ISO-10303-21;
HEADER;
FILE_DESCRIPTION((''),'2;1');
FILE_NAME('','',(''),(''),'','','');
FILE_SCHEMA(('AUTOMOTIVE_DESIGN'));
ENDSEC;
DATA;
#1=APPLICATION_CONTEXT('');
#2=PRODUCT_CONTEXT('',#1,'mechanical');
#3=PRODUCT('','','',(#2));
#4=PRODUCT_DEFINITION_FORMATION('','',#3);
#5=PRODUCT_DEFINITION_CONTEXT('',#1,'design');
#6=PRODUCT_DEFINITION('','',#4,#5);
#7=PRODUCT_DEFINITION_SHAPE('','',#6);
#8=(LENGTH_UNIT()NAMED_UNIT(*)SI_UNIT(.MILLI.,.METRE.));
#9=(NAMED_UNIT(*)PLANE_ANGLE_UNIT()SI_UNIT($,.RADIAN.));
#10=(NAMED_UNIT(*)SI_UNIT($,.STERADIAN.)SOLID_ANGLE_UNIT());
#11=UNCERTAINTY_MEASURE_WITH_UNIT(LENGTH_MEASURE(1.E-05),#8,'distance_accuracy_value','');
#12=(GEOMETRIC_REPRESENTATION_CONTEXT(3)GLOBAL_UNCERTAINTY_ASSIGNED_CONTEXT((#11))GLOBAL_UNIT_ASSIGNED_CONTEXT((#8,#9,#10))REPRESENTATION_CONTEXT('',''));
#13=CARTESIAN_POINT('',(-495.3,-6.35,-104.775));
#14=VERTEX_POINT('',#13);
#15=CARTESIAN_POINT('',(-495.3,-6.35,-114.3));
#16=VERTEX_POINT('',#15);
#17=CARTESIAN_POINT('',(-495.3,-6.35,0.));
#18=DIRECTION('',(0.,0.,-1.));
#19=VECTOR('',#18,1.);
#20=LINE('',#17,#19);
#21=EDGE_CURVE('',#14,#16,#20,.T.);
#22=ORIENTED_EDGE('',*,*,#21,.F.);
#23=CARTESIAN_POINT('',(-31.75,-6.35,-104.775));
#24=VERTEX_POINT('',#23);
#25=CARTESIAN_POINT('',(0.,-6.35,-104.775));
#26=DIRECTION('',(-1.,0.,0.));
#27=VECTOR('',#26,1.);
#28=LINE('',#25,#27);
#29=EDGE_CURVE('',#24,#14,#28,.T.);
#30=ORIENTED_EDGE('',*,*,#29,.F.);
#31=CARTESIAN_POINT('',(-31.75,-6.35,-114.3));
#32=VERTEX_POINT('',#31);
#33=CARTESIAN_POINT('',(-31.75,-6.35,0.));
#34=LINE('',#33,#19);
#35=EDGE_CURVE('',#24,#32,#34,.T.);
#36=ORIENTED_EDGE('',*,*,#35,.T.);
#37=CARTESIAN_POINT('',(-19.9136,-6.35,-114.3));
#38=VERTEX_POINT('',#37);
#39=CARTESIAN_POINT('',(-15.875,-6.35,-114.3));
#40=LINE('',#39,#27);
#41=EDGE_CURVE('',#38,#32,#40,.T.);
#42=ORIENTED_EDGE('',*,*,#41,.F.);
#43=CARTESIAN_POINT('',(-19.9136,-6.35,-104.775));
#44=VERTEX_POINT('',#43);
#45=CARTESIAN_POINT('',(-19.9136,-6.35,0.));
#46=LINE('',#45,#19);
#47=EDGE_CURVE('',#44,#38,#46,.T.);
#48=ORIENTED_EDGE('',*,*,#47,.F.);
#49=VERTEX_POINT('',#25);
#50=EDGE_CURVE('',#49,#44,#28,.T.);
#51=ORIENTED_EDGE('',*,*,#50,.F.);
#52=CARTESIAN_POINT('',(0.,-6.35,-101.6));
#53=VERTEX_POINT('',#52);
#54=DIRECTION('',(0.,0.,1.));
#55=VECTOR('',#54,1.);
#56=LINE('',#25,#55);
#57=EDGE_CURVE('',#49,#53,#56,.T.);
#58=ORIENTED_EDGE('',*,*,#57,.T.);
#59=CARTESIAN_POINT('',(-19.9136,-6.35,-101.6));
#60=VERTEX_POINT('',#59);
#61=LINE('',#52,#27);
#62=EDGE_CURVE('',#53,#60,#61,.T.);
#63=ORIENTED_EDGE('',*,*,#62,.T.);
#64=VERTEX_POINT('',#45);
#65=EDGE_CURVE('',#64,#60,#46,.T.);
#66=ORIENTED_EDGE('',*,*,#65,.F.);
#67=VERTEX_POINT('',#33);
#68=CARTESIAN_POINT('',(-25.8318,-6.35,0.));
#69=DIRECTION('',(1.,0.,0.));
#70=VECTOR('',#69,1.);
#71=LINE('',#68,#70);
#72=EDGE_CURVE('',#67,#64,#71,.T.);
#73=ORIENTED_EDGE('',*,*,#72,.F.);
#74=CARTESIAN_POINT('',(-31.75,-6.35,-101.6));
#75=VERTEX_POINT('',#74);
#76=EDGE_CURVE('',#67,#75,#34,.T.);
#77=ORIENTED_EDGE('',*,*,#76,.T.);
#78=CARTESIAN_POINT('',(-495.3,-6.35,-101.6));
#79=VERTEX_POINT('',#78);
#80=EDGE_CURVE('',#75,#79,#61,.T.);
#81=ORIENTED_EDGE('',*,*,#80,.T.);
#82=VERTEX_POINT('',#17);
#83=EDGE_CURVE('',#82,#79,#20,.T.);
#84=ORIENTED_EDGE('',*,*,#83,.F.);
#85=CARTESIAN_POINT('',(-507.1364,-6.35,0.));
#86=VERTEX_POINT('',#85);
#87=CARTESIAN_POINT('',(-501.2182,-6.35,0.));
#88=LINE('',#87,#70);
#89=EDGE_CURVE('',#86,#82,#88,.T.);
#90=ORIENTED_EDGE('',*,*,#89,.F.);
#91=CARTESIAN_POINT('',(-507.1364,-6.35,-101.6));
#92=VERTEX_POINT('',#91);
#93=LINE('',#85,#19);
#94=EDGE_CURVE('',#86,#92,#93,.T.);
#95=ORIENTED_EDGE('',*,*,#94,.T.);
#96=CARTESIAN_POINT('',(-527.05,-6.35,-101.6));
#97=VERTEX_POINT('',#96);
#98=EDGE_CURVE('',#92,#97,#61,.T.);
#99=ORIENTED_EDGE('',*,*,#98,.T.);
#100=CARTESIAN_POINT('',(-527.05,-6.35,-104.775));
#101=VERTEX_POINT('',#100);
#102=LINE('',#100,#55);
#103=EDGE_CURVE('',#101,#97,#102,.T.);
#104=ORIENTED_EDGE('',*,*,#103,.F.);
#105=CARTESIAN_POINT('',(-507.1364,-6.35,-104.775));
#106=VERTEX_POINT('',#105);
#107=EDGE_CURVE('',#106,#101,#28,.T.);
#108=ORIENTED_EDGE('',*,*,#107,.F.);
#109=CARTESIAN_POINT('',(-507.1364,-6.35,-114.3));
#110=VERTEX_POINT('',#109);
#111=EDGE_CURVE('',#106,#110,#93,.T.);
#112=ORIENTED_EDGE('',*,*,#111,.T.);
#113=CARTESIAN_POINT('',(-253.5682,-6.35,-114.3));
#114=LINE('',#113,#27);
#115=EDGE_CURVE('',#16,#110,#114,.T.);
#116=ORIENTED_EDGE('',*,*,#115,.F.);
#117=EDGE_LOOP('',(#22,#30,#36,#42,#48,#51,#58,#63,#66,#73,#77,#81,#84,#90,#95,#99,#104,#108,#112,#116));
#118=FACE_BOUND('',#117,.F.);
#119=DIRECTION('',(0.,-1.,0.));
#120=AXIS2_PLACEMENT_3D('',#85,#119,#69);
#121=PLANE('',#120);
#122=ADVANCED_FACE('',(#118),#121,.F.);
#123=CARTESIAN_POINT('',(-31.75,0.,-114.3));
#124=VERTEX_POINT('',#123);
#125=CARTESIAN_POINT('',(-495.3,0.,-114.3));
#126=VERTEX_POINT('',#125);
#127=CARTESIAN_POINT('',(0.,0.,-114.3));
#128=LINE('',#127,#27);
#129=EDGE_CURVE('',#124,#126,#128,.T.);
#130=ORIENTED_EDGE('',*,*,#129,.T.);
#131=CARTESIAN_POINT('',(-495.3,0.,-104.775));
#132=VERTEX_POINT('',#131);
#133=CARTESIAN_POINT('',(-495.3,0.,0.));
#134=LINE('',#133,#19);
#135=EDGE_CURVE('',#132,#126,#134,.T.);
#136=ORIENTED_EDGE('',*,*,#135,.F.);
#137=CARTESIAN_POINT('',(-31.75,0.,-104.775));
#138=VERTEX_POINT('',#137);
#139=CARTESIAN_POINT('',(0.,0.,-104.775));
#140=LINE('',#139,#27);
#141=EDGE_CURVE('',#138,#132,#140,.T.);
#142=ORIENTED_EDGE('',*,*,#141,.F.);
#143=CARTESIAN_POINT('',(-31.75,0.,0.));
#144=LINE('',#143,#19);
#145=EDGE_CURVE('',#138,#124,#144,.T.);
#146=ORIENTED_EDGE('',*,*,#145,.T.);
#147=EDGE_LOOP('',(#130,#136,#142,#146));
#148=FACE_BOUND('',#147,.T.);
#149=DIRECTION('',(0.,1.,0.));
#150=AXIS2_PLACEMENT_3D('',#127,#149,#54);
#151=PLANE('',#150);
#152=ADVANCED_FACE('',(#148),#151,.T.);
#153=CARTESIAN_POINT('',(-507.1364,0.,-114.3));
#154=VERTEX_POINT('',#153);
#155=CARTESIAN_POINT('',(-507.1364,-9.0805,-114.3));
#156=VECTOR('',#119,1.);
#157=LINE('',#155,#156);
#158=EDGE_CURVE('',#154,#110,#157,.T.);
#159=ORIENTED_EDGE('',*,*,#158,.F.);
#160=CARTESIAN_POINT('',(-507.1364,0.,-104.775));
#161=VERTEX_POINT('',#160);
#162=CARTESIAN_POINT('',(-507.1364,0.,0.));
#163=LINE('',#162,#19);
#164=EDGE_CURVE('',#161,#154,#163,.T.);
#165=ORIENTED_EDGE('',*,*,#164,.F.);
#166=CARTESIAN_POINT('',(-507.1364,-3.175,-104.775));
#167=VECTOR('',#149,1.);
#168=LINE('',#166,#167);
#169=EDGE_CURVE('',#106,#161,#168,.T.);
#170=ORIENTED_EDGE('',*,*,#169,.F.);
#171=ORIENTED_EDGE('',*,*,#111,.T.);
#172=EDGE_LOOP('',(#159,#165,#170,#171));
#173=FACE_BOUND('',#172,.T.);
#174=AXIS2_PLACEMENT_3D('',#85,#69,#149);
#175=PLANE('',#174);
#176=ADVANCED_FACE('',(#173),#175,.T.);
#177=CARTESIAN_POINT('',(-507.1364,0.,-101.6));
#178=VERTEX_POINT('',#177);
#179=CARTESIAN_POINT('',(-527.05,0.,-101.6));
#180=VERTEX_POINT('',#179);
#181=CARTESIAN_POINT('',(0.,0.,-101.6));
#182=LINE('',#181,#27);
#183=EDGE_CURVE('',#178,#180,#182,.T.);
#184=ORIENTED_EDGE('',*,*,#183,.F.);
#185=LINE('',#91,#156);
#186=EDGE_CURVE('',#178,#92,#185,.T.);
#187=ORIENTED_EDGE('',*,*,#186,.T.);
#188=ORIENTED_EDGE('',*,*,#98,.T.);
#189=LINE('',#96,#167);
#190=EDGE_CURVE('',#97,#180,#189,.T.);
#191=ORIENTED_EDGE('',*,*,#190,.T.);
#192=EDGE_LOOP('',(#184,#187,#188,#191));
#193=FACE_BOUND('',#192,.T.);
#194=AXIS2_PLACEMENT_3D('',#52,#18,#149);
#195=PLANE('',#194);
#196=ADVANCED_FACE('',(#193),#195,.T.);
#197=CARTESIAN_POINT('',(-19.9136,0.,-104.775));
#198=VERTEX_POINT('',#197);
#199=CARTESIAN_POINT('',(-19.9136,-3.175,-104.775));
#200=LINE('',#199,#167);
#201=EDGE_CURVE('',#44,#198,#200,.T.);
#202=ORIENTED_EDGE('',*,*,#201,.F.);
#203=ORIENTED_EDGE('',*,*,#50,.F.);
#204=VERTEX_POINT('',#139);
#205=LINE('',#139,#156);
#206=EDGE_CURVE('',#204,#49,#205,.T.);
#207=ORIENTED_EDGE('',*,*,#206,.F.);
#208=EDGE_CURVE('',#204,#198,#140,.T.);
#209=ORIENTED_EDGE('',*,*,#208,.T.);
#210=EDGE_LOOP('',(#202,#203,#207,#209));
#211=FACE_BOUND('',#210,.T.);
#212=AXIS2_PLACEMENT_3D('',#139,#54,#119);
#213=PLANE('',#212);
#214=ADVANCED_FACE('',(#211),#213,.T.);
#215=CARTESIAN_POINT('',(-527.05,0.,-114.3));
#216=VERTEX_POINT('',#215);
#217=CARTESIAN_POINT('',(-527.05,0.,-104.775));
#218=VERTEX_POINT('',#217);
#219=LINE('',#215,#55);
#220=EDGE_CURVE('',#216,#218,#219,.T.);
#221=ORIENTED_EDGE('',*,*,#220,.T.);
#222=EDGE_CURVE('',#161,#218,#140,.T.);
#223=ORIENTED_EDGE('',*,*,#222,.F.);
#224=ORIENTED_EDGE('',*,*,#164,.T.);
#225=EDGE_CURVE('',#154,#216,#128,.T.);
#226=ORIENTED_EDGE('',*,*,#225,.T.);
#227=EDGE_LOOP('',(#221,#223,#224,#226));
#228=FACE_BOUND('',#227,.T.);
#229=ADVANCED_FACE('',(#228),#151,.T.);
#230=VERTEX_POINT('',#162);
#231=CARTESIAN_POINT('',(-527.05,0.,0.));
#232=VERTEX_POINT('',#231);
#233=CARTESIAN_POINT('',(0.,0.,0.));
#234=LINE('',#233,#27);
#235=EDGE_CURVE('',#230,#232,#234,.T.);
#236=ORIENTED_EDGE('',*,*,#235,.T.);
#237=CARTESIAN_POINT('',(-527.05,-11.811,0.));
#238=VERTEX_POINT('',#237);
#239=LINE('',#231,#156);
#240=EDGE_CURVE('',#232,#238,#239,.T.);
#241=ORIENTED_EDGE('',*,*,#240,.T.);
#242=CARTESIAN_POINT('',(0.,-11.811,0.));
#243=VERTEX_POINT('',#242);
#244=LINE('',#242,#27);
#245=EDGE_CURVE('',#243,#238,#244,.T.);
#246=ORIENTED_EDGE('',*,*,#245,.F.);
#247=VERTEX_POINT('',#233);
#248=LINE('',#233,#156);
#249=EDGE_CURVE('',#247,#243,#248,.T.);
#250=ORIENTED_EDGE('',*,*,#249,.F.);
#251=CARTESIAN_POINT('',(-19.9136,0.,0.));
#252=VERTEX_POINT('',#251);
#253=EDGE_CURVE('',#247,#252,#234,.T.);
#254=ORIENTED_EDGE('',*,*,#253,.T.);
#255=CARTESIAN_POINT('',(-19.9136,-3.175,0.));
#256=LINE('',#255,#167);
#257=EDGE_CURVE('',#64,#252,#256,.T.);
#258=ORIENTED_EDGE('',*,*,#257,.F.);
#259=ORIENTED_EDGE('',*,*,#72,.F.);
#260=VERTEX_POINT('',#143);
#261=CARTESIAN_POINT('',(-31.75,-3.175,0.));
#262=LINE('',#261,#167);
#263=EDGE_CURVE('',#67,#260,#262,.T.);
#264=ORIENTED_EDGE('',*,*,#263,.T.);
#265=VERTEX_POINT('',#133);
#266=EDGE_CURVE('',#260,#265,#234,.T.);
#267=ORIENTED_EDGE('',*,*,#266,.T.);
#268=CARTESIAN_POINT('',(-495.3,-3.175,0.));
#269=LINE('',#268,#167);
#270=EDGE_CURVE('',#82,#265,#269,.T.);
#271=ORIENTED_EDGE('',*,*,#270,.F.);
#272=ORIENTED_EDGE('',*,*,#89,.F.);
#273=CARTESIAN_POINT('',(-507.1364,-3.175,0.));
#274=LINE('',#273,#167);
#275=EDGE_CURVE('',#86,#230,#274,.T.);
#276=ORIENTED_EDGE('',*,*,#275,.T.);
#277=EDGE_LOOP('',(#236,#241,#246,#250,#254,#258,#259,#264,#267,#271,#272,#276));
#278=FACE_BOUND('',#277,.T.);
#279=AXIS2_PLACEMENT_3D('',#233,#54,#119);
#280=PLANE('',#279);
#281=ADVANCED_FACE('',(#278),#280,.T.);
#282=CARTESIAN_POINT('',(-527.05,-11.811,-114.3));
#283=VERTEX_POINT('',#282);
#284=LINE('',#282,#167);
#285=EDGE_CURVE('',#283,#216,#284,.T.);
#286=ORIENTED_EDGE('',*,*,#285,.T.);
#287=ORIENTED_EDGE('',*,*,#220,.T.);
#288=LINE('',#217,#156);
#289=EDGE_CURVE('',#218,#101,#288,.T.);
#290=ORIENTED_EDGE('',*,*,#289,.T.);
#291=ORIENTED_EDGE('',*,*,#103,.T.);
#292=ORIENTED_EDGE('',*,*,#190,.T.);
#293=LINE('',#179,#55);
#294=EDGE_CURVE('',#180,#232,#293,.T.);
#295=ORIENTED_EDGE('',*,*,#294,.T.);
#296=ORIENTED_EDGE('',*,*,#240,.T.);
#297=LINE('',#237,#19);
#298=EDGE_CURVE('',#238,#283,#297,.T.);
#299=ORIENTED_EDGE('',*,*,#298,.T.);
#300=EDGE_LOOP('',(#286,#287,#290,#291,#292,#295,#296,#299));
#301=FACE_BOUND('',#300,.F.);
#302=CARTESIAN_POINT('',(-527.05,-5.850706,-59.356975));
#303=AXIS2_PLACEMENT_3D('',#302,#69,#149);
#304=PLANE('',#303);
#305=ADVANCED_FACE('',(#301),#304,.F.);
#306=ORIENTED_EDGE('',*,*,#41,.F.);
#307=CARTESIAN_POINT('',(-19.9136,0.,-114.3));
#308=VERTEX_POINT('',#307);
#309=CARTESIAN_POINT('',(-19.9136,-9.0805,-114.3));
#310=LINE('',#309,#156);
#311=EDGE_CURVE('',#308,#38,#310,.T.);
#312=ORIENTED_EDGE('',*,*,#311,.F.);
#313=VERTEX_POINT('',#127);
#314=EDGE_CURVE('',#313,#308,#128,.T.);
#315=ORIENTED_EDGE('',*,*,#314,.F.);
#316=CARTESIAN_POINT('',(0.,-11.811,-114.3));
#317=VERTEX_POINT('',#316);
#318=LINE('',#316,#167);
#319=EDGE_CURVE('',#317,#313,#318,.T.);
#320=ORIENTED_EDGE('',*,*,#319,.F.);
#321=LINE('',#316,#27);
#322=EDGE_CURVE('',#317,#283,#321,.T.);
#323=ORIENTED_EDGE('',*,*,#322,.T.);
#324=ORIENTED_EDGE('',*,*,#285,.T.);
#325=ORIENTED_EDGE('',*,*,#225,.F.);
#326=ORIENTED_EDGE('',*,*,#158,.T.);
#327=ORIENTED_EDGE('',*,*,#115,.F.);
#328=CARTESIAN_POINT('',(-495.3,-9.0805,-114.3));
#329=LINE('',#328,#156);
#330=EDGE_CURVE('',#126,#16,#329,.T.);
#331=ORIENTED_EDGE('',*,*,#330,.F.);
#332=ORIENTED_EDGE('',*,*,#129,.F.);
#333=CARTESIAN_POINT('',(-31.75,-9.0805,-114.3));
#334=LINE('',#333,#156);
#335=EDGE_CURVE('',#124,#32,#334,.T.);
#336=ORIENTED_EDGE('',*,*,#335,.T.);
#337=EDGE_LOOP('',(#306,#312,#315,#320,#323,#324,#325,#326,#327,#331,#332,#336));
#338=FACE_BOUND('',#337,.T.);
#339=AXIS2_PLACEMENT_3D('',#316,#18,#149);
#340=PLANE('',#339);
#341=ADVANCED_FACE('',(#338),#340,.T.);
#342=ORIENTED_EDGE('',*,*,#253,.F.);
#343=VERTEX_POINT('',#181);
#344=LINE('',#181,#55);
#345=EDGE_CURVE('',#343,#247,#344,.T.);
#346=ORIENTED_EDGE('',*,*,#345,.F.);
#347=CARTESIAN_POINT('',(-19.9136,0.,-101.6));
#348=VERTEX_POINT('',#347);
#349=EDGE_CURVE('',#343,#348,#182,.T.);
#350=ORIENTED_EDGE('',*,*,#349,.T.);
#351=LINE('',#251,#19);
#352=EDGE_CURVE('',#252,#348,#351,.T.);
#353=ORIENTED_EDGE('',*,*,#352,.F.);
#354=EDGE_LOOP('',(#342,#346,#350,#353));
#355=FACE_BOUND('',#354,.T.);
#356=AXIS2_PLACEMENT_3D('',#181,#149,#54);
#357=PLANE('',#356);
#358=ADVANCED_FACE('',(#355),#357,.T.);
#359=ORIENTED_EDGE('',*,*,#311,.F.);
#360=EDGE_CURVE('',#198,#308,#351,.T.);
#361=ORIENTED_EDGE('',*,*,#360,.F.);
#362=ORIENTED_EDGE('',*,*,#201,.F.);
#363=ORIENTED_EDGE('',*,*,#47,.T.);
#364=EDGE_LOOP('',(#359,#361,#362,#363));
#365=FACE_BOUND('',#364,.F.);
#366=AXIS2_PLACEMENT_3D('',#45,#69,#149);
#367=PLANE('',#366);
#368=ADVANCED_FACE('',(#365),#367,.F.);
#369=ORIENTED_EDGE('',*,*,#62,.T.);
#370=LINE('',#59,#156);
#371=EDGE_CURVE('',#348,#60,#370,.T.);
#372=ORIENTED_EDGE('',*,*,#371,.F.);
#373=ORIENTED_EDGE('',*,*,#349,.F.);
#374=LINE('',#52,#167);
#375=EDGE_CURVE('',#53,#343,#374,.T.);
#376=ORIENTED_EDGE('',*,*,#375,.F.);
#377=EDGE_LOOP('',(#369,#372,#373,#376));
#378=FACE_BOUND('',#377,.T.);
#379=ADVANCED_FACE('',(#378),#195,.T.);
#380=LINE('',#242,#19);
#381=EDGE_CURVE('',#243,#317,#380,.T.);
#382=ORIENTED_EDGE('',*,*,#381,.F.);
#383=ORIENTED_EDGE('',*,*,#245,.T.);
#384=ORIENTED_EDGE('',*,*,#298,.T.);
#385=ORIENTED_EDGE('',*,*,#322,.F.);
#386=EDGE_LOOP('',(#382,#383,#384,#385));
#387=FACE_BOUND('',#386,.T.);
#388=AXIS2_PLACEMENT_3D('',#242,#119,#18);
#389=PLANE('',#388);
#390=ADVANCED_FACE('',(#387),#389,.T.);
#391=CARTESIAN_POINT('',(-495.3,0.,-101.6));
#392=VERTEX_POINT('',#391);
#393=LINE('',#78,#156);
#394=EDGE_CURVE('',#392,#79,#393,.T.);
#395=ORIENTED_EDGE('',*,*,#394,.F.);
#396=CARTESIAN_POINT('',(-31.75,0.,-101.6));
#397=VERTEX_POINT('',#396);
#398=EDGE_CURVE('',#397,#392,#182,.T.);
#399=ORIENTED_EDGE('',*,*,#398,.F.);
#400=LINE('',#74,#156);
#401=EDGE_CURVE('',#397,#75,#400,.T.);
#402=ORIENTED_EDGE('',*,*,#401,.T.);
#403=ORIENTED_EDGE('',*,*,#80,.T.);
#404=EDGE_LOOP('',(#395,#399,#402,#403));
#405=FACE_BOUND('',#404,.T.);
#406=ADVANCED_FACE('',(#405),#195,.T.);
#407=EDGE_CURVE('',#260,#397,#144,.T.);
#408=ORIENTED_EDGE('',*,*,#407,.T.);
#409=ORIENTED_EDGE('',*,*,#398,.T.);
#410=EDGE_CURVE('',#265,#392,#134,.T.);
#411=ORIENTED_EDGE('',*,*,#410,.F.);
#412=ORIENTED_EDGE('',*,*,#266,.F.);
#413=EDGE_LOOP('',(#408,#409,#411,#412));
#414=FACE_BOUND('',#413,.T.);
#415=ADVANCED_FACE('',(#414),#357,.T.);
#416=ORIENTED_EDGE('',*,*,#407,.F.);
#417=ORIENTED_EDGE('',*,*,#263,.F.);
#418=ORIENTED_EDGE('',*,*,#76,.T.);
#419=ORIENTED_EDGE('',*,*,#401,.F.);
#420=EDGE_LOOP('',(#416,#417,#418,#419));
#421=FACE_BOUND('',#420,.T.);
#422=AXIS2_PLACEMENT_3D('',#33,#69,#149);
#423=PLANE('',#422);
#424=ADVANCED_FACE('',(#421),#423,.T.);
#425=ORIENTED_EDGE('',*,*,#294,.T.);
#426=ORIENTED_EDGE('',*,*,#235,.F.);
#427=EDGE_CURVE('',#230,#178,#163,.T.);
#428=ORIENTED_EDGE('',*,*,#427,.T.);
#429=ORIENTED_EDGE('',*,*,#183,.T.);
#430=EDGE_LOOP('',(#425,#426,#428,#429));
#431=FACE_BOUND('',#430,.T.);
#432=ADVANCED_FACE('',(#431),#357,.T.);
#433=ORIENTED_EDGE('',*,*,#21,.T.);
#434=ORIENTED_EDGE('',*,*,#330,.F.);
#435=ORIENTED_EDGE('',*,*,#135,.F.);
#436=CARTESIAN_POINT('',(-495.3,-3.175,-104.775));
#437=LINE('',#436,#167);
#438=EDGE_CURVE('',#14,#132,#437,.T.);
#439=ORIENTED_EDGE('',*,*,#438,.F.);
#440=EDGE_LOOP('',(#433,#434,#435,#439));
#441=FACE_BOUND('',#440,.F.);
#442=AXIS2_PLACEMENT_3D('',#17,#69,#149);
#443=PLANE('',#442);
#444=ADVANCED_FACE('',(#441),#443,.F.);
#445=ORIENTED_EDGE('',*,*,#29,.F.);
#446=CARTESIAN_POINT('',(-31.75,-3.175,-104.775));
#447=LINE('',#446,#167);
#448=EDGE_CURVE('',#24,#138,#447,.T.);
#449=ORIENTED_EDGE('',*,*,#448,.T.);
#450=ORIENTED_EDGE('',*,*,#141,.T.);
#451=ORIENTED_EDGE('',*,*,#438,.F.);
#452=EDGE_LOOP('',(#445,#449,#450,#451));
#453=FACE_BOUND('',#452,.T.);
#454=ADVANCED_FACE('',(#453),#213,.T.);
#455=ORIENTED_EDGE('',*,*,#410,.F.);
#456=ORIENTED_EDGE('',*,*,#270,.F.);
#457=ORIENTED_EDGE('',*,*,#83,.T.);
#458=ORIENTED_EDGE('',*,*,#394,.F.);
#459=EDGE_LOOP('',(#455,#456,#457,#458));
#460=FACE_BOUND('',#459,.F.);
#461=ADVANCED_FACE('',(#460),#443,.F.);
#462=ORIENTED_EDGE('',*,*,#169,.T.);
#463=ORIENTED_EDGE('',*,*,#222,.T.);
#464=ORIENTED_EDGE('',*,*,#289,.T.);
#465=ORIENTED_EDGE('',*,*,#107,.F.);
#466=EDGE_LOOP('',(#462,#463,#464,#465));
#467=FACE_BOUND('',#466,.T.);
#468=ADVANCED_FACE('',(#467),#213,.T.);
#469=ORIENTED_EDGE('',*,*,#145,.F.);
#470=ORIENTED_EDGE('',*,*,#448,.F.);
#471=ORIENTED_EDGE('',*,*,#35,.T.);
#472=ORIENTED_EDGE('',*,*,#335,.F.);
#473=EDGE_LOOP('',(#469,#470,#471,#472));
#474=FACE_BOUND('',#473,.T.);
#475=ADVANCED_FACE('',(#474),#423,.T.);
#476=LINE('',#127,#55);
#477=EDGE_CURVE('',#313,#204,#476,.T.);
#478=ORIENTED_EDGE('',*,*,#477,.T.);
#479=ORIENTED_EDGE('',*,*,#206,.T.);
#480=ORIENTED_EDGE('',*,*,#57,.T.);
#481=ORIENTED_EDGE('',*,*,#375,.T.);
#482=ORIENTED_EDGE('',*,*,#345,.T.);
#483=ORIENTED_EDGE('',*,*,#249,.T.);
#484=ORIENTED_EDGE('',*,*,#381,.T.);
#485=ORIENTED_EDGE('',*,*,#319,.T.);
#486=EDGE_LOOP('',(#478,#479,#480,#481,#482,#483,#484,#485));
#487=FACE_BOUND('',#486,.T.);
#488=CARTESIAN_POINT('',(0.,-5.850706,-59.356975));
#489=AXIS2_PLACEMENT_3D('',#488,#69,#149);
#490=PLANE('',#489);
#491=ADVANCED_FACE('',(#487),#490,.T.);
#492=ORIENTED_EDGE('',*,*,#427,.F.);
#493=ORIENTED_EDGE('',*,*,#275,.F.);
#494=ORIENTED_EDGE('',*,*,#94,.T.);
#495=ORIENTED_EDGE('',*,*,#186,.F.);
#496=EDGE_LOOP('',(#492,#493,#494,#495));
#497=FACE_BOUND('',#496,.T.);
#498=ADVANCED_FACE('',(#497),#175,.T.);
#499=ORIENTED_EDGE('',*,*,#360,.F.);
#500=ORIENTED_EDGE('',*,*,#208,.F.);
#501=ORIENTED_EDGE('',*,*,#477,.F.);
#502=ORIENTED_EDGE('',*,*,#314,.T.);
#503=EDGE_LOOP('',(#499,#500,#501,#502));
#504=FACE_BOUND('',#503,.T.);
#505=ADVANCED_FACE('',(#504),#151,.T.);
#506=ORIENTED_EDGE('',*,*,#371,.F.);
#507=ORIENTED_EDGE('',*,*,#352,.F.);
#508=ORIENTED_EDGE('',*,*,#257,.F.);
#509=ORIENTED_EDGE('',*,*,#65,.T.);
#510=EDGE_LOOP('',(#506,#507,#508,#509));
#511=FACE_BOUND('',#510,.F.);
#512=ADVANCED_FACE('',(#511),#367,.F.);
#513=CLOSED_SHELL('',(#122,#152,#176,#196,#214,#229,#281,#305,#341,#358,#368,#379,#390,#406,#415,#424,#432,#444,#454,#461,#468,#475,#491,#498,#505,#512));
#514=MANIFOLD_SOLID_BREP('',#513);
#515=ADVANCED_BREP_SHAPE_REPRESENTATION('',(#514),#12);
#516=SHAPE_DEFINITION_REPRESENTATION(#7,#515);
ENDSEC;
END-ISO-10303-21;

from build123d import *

# Parameters (mm, degrees)
F1_DEPTH = 527.05
F2_W     = 11.8364
F2_H     = 6.35
F3_DEPTH = 114.301


with BuildPart() as f1:
    # F0 (on Right) → F1 (new body)
    with BuildSketch(Plane.YZ):
        Polygon((0, 0), (-11.811, 0), (-11.811, -101.544328), (-11.811, -104.719328), (-11.811, -114.3), (0, -114.3), (0, -104.775), (-6.35, -104.775), (-6.35, -101.6), (0, -101.6), align=None)
    extrude(amount=-F1_DEPTH)

    # F2 (on Top) → F3 (cut, through all)
    with BuildSketch(Plane.XY):
        with Locations((-25.8318, -3.175)):
            Rectangle(F2_W, F2_H)
        with Locations((-501.2182, -3.175)):
            Rectangle(F2_W, F2_H)
    extrude(amount=-F3_DEPTH, mode=Mode.SUBTRACT)


solid = f1.part
